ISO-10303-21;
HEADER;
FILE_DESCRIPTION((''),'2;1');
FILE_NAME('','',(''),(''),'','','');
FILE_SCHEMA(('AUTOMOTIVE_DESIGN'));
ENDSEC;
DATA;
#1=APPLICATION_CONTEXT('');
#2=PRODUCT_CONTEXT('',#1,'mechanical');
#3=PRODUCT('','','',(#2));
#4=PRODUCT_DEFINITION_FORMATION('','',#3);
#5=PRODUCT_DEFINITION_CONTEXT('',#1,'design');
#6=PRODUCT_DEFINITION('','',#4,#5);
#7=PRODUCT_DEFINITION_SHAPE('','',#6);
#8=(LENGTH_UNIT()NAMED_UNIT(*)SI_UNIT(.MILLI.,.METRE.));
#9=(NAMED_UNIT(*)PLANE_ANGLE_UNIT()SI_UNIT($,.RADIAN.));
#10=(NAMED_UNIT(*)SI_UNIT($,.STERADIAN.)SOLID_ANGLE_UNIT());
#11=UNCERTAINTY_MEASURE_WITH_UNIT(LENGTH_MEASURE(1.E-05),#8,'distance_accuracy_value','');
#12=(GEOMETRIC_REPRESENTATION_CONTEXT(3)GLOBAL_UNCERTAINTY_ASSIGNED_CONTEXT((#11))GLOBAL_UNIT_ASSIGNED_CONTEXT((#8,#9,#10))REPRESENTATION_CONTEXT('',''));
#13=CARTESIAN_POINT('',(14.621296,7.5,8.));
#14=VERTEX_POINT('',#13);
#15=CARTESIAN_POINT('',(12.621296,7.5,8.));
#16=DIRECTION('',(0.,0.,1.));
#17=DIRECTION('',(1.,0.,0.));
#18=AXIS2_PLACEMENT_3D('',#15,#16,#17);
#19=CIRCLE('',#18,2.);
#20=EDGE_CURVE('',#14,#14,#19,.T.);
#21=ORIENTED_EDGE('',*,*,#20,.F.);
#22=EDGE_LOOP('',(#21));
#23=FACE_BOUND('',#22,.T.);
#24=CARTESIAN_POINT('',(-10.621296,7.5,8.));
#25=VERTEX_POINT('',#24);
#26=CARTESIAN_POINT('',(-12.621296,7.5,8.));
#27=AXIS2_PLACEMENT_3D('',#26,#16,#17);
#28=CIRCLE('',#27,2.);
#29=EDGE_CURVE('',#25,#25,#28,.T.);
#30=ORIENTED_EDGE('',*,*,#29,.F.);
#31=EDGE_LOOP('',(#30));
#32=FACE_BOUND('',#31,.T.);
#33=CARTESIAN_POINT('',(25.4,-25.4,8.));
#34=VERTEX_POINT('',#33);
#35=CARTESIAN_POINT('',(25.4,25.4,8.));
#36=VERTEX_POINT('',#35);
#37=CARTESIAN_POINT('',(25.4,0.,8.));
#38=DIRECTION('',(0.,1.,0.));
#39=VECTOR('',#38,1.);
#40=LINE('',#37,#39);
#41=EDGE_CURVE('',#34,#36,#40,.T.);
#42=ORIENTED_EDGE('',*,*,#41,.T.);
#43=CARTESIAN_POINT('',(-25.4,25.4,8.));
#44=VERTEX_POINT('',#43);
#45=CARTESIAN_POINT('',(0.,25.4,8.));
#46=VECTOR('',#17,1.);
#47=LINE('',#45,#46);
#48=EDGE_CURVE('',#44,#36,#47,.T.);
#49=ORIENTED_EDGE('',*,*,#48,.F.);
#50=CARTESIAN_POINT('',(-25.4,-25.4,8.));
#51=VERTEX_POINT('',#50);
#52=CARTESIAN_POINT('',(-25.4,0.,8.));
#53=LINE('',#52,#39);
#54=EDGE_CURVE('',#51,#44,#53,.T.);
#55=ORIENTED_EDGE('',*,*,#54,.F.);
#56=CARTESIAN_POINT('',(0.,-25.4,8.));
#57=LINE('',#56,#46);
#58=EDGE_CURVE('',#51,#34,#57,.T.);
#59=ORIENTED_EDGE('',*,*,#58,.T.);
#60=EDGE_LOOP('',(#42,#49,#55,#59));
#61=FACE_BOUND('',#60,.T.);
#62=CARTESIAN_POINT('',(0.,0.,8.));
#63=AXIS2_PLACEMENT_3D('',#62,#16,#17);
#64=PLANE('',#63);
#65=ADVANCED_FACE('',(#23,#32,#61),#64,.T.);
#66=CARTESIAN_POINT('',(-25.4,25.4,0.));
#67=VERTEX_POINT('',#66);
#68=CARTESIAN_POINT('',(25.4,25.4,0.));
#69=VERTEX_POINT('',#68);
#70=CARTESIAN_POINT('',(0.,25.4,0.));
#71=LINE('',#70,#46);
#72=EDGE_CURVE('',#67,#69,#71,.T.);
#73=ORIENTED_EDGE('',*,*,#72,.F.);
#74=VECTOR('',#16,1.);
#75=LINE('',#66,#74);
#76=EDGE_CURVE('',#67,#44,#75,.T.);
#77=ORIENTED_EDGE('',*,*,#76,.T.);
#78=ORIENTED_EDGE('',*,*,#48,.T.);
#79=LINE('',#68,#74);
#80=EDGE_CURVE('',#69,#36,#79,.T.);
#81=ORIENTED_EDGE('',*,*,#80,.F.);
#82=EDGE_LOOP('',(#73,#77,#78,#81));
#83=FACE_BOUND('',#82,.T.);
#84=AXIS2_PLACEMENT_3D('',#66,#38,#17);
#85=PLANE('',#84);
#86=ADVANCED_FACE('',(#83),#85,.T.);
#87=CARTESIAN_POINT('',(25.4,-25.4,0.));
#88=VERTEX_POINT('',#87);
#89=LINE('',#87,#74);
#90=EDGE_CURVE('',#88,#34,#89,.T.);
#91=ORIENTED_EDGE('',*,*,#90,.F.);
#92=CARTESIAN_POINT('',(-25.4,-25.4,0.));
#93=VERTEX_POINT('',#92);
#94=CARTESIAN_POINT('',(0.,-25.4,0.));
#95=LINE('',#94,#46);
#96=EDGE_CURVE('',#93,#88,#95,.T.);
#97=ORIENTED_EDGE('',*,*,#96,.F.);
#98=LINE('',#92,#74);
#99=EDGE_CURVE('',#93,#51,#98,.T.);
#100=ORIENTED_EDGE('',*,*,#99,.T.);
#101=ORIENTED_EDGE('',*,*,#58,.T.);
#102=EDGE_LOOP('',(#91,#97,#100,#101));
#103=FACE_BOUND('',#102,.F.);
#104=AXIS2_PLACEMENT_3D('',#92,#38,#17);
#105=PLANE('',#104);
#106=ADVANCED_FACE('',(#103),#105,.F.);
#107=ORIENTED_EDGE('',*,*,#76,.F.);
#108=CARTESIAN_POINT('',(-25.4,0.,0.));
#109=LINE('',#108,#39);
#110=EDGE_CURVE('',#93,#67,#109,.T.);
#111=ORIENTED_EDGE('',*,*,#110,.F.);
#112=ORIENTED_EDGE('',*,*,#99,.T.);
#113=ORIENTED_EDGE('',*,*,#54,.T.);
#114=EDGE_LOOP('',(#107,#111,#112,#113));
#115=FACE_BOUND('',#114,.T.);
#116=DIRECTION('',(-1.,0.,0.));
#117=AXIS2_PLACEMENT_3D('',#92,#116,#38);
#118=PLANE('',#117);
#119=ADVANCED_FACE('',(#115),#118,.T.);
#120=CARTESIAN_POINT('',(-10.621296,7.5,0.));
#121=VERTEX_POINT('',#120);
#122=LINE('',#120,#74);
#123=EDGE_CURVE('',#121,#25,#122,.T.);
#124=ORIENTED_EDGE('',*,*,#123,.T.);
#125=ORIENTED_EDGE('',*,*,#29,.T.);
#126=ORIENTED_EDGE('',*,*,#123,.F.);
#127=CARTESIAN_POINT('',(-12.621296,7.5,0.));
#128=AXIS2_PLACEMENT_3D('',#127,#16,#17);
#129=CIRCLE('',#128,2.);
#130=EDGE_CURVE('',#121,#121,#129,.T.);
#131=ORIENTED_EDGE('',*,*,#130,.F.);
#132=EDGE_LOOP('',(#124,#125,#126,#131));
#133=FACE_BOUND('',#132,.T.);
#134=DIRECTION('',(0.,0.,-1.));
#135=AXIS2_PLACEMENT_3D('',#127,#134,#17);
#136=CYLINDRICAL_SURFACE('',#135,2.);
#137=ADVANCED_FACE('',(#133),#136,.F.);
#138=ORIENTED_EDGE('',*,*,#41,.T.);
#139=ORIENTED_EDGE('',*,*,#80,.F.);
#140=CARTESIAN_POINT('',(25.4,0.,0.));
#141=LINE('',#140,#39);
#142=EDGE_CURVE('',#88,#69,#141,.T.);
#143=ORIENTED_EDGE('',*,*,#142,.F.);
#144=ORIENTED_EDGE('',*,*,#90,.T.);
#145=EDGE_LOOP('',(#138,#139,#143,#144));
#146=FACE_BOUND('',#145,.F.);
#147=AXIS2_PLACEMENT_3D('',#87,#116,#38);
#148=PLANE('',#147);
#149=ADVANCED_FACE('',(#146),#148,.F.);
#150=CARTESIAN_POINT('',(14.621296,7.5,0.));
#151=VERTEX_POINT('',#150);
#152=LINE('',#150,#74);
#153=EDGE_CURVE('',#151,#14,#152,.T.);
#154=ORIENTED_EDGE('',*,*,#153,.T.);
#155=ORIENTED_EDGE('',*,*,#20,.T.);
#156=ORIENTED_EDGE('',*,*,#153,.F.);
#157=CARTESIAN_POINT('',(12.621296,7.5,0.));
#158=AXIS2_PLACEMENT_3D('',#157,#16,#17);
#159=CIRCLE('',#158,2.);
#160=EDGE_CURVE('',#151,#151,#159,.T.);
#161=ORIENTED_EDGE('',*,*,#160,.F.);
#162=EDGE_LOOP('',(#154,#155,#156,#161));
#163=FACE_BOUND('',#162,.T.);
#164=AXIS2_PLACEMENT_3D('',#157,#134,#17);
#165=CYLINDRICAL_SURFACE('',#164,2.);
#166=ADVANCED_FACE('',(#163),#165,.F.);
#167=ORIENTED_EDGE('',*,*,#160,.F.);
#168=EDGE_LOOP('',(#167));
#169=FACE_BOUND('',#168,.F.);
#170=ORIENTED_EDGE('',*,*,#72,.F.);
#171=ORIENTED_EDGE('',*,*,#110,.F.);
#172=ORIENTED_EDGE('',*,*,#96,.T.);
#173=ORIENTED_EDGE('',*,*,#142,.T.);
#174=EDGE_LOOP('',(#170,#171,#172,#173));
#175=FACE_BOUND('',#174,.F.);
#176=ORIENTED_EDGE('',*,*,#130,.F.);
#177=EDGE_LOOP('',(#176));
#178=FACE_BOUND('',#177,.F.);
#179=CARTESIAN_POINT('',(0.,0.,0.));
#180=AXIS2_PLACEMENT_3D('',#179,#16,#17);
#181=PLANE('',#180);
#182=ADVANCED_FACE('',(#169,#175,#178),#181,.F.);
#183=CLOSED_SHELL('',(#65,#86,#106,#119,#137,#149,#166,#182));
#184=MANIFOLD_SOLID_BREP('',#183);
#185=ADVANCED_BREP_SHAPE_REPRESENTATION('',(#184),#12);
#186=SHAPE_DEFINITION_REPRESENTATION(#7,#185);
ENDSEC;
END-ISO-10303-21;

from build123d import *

# Parameters (mm, degrees)
F0_W     = 50.8
F0_H     = 50.8
F1_DEPTH = 8
F2_R     = 2
F3_DEPTH = 8


with BuildPart() as f1:
    # F0 (on Top) → F1 (new body)
    with BuildSketch(Plane.XY):
        Rectangle(F0_W, F0_H)
    extrude(amount=F1_DEPTH)

    # F2 (on Top) → F3 (cut, through all)
    with BuildSketch(Plane.XY):
        with Locations((-12.621296, 7.5)):
            Circle(F2_R)
        with Locations((12.621296, 7.5)):
            Circle(F2_R)
    extrude(amount=F3_DEPTH, mode=Mode.SUBTRACT)


solid = f1.part
